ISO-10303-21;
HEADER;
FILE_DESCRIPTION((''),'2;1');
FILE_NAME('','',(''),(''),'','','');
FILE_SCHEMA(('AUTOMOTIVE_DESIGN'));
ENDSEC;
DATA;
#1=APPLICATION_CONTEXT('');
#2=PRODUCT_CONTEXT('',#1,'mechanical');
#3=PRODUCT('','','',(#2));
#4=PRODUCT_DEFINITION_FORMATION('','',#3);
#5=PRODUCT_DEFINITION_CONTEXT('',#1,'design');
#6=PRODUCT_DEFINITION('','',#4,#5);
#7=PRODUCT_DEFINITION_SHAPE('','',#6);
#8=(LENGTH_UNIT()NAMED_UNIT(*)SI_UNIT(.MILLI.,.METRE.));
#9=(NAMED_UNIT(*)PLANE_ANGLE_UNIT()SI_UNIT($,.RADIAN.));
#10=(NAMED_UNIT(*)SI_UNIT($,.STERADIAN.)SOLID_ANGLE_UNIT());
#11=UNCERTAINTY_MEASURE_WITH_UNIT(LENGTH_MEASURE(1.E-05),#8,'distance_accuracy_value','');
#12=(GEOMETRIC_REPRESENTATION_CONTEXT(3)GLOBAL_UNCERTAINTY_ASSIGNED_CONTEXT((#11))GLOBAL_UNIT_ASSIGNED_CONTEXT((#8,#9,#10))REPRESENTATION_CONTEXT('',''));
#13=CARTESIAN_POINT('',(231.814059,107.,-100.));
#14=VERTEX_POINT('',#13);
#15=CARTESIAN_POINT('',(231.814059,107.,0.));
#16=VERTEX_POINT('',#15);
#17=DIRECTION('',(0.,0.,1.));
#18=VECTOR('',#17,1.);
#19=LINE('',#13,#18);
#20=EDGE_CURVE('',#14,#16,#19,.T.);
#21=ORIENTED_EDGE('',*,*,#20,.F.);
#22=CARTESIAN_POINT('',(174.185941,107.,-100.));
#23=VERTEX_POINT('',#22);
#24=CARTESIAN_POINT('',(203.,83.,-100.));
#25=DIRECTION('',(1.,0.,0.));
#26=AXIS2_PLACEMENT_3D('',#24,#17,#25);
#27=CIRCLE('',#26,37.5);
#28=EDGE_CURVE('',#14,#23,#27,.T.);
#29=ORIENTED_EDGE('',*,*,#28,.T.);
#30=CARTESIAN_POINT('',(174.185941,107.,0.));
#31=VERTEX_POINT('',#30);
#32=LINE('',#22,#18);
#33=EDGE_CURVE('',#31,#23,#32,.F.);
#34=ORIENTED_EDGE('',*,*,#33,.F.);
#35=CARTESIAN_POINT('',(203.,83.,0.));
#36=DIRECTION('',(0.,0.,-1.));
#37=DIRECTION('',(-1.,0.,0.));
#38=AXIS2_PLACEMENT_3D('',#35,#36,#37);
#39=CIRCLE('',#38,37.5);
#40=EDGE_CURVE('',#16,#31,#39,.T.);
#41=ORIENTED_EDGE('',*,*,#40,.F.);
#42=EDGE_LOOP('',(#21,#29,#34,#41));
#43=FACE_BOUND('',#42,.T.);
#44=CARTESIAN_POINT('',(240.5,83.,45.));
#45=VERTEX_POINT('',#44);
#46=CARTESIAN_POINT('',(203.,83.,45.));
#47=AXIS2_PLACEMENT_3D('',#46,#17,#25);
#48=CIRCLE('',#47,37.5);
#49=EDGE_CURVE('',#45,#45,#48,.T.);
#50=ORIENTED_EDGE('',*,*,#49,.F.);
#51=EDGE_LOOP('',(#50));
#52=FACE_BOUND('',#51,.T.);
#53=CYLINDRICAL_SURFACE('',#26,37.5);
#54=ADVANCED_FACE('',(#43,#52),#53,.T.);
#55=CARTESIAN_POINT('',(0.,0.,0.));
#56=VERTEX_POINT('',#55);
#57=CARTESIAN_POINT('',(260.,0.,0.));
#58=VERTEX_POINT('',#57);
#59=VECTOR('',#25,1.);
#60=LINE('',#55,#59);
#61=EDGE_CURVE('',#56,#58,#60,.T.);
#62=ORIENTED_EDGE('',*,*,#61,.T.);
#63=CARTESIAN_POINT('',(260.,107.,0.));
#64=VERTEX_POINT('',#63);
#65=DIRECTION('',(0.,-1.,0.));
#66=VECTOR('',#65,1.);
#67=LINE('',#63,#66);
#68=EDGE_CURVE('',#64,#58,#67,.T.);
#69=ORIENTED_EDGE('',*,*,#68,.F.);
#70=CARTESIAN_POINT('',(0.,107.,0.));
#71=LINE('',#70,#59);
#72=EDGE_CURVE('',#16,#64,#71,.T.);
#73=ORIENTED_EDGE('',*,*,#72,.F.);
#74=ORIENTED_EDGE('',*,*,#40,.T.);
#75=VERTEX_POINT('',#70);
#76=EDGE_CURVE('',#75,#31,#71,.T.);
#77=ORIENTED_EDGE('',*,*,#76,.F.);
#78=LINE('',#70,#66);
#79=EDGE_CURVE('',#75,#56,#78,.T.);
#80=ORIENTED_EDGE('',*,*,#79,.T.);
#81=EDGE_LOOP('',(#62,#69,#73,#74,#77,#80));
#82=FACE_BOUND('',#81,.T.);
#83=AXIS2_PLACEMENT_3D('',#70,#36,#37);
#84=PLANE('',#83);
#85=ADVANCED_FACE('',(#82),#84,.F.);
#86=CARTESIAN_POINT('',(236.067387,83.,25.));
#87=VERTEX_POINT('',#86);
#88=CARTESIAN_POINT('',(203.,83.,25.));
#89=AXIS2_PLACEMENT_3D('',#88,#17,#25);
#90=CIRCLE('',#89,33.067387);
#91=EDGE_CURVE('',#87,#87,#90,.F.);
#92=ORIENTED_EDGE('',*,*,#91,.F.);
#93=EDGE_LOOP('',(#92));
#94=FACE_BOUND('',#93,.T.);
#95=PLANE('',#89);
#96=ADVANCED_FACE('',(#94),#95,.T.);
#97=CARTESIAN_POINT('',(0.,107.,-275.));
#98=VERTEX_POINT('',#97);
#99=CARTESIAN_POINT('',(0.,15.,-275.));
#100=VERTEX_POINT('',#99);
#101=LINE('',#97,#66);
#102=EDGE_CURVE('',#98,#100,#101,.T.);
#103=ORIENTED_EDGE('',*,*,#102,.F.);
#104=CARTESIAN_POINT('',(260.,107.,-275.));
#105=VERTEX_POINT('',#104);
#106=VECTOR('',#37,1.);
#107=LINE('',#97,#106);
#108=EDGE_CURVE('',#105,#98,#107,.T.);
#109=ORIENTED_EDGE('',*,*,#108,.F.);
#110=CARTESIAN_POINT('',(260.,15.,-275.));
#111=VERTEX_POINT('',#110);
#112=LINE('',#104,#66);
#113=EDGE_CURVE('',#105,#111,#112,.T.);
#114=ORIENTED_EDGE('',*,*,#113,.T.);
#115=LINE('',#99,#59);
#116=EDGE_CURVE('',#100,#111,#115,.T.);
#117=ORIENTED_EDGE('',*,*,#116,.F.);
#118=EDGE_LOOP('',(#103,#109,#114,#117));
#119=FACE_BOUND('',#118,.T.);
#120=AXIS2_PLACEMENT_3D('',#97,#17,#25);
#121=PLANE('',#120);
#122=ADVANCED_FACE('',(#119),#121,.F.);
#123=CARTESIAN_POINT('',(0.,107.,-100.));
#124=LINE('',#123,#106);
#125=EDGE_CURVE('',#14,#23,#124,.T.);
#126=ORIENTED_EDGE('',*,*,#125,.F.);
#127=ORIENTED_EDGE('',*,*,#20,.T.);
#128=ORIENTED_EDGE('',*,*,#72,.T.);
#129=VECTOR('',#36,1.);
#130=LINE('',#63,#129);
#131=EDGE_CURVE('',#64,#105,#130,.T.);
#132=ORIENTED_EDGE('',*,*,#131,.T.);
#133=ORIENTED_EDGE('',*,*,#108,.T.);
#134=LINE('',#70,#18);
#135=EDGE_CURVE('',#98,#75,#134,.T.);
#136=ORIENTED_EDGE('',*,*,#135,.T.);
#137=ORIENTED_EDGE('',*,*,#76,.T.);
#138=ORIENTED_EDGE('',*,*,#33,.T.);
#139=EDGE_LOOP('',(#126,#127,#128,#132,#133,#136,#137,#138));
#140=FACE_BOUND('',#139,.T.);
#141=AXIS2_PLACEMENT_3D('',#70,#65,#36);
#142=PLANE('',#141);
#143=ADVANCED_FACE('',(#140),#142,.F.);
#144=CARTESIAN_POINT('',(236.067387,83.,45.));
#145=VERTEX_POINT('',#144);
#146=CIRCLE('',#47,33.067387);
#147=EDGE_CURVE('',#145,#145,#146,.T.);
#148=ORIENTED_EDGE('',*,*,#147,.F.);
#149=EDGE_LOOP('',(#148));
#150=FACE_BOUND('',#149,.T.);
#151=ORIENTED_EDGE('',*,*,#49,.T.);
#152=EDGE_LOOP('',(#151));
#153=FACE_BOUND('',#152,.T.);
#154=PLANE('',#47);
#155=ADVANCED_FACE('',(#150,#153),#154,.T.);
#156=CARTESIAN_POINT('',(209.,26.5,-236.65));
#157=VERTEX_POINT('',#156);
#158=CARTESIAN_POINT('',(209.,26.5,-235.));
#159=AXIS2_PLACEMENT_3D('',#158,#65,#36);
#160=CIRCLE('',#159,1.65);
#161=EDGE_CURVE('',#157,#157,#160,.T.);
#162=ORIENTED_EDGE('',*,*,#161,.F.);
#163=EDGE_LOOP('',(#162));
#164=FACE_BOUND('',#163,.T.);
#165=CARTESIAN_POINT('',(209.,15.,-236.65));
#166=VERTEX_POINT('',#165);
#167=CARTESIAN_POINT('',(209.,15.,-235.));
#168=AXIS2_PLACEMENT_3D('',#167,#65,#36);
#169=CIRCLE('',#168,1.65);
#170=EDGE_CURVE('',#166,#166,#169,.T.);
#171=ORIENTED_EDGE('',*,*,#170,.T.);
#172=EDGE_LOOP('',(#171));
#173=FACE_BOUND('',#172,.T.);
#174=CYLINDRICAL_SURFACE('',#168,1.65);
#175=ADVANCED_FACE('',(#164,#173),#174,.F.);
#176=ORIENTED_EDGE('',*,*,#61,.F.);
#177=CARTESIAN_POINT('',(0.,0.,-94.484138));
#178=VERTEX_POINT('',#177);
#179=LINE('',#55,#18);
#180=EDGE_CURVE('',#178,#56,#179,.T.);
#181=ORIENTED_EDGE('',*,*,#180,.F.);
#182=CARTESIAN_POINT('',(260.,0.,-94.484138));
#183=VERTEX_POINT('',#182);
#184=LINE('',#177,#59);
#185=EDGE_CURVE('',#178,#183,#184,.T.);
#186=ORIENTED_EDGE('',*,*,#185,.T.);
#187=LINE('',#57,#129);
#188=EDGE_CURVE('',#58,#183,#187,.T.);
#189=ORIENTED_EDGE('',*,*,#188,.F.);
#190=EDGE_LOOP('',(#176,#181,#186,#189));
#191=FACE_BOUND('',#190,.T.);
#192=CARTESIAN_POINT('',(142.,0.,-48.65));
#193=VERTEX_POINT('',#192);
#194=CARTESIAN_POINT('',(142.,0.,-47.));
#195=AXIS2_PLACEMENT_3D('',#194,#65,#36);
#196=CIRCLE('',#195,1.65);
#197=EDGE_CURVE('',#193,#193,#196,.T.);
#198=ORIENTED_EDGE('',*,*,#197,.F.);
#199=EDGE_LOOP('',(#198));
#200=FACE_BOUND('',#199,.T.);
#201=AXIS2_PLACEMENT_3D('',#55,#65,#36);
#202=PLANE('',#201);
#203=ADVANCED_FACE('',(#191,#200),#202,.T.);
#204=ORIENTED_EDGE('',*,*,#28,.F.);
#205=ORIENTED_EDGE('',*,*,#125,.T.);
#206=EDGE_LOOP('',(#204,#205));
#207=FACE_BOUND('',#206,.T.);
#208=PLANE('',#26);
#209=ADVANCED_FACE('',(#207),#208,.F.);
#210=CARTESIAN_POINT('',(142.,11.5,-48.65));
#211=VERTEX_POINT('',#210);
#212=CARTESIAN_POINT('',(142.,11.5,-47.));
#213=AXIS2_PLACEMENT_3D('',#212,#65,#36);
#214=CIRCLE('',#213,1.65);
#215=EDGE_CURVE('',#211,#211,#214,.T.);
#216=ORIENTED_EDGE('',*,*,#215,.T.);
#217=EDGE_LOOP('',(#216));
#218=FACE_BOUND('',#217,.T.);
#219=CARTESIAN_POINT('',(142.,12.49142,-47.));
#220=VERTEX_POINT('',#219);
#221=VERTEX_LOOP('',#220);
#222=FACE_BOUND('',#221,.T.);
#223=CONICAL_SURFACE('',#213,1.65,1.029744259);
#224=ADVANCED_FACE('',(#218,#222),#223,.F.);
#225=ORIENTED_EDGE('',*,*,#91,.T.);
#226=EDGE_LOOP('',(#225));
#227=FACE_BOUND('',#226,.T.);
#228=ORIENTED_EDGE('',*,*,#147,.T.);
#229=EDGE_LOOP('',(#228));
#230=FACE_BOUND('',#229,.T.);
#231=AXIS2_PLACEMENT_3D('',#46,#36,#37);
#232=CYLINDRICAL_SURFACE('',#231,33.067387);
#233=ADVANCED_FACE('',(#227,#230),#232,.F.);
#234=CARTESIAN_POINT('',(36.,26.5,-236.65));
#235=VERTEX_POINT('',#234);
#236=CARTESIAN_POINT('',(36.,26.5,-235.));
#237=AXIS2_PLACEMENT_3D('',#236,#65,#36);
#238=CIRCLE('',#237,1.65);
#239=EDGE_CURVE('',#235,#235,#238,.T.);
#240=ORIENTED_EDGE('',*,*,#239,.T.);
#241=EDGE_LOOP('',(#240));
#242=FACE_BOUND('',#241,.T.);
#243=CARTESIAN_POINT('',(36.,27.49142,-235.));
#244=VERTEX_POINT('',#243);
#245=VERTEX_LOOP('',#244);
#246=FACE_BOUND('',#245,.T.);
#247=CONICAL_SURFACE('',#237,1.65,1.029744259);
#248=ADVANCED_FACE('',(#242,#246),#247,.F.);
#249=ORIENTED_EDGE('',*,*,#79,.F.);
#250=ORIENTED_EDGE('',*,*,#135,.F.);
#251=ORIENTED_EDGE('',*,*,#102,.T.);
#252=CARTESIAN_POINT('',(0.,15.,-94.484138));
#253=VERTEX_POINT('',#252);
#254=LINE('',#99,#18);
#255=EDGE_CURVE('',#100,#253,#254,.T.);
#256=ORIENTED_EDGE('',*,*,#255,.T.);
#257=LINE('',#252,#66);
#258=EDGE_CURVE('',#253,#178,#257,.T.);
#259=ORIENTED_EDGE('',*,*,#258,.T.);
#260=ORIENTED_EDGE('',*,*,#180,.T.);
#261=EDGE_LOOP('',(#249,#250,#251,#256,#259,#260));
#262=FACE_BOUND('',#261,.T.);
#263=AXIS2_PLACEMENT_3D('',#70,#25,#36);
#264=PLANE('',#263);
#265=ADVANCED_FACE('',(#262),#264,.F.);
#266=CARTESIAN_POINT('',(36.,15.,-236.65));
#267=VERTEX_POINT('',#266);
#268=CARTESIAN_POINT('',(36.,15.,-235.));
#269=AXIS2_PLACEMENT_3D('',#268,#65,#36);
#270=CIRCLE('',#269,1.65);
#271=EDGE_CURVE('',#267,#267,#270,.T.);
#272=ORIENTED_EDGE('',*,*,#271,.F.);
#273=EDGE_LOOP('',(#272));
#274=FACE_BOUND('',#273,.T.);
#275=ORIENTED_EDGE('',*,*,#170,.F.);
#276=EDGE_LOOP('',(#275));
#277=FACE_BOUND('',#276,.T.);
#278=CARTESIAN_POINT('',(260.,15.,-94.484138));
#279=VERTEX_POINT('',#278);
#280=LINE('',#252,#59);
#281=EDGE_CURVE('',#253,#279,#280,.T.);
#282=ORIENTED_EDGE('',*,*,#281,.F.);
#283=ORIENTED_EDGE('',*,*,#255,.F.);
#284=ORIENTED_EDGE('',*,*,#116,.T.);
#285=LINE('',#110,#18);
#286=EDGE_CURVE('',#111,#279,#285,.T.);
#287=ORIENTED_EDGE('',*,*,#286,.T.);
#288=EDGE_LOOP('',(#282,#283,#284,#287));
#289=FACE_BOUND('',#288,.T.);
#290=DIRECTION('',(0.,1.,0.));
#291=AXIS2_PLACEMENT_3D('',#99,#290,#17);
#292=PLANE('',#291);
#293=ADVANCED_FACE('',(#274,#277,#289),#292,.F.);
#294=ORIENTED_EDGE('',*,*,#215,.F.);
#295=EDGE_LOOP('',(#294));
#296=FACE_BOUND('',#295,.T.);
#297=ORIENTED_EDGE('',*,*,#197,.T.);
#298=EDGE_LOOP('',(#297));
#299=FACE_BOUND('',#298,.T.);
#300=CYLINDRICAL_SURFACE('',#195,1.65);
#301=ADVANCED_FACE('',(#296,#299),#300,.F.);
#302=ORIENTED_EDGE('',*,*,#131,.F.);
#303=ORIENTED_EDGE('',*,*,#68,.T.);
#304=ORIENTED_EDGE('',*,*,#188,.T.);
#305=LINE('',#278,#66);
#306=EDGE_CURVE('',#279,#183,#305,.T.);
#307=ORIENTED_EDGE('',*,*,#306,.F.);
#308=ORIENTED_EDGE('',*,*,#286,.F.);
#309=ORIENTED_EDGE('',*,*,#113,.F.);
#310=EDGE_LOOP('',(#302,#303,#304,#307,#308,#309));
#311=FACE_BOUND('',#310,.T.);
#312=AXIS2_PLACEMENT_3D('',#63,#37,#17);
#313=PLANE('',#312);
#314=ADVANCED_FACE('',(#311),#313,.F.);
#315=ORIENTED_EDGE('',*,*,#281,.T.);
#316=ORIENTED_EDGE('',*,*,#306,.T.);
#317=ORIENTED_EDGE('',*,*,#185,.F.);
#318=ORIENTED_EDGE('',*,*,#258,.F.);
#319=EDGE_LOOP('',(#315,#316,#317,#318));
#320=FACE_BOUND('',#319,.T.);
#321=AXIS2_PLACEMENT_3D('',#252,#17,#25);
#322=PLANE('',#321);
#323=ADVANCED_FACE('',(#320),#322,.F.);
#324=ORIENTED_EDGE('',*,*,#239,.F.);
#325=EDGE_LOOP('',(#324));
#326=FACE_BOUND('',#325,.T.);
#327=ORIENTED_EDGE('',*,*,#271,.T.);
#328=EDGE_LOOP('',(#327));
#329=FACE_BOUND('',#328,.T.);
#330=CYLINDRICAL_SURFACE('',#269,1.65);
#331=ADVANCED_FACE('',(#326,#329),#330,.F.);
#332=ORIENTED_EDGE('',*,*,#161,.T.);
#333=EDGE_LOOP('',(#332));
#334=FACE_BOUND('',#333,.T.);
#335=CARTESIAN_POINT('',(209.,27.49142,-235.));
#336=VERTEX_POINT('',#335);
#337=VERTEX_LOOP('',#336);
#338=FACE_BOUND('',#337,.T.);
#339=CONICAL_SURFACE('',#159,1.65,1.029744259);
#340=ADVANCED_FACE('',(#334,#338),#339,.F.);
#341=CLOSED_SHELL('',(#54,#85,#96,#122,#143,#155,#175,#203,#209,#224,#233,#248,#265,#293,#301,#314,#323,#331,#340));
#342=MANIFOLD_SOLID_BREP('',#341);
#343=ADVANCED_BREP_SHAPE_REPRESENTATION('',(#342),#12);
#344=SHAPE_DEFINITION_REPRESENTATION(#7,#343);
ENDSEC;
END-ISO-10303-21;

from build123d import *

# Parameters (mm, degrees)
SKETCH_1_W           = 260
SKETCH_1_H           = 275
EXTRUDE_1_DEPTH      = 107
EXTRUDE_2_DEPTH      = 25
EXTRUDE_2_DEPTH_BACK = 100
SKETCH_2_R           = 37.5
SKETCH_3_W           = 180.515861549
SKETCH_3_H           = 15
CUT_EXTRUDE_1_DEPTH  = 398.171562426
M4X0_7_1_D           = 3.3
M4X0_7_1_DEPTH       = 11.5
M4X0_7_1_TIP         = 0.991420021
M4X0_7_2_D           = 3.3
M4X0_7_2_DEPTH       = 11.5
M4X0_7_2_TIP         = 0.991420021
SKETCH_17_R          = 37.5
SKETCH_17_R_2        = 33.067386868
EXTRUDE_4_DEPTH      = 20


with BuildPart() as part:
    # 스케치1 → 보스-돌출1 (new body)
    with BuildSketch(Plane(origin=(0, 0, 0), x_dir=(1, 0, 0), z_dir=(0, 1, 0))):
        with Locations((130, 137.5)):
            Rectangle(SKETCH_1_W, SKETCH_1_H)
    extrude(amount=EXTRUDE_1_DEPTH)

    # 스케치2 → 보스-돌출2 (add, two sides: drawn at the far end of the back side and taken through both)
    with BuildSketch(Plane.XY.offset(-EXTRUDE_2_DEPTH_BACK)):
        with Locations((203, 83)):
            Circle(SKETCH_2_R)
    extrude(amount=EXTRUDE_2_DEPTH + EXTRUDE_2_DEPTH_BACK)

    # 스케치3 → 컷-돌출1 (cut, through all)
    with BuildSketch(Plane(origin=(260, 0, 0), x_dir=(0, 0, -1), z_dir=(1, 0, 0))):
        with Locations((184.742069226, 7.5)):
            Rectangle(SKETCH_3_W, SKETCH_3_H)
    extrude(amount=-CUT_EXTRUDE_1_DEPTH, mode=Mode.SUBTRACT)

    # M4x0.7 나사 구멍1
    with Locations(Plane(origin=(0, 15, 0), x_dir=(-1, 0, 0), z_dir=(0, -1, 0))):
        with Locations((-36, 235), (-209, 235)):
            Hole(M4X0_7_1_D / 2, depth=M4X0_7_1_DEPTH)
            with Locations((0, 0, -(M4X0_7_1_DEPTH + M4X0_7_1_TIP / 2))):  # 118° drill point
                Cone(0, M4X0_7_1_D / 2, M4X0_7_1_TIP, mode=Mode.SUBTRACT)

    # M4x0.7 나사 구멍2
    with Locations(Plane(origin=(0, 0, 0), x_dir=(-1, 0, 0), z_dir=(0, -1, 0))):
        with Locations((-142, 47)):
            Hole(M4X0_7_2_D / 2, depth=M4X0_7_2_DEPTH)
            with Locations((0, 0, -(M4X0_7_2_DEPTH + M4X0_7_2_TIP / 2))):  # 118° drill point
                Cone(0, M4X0_7_2_D / 2, M4X0_7_2_TIP, mode=Mode.SUBTRACT)

    # 스케치17 → 보스-돌출4 (add)
    with BuildSketch(Plane.XY.offset(25)):
        with Locations((203, 83)):
            Circle(SKETCH_17_R)
        with Locations((203, 83)):
            Circle(SKETCH_17_R_2, mode=Mode.SUBTRACT)
    extrude(amount=EXTRUDE_4_DEPTH)


solid = part.part
